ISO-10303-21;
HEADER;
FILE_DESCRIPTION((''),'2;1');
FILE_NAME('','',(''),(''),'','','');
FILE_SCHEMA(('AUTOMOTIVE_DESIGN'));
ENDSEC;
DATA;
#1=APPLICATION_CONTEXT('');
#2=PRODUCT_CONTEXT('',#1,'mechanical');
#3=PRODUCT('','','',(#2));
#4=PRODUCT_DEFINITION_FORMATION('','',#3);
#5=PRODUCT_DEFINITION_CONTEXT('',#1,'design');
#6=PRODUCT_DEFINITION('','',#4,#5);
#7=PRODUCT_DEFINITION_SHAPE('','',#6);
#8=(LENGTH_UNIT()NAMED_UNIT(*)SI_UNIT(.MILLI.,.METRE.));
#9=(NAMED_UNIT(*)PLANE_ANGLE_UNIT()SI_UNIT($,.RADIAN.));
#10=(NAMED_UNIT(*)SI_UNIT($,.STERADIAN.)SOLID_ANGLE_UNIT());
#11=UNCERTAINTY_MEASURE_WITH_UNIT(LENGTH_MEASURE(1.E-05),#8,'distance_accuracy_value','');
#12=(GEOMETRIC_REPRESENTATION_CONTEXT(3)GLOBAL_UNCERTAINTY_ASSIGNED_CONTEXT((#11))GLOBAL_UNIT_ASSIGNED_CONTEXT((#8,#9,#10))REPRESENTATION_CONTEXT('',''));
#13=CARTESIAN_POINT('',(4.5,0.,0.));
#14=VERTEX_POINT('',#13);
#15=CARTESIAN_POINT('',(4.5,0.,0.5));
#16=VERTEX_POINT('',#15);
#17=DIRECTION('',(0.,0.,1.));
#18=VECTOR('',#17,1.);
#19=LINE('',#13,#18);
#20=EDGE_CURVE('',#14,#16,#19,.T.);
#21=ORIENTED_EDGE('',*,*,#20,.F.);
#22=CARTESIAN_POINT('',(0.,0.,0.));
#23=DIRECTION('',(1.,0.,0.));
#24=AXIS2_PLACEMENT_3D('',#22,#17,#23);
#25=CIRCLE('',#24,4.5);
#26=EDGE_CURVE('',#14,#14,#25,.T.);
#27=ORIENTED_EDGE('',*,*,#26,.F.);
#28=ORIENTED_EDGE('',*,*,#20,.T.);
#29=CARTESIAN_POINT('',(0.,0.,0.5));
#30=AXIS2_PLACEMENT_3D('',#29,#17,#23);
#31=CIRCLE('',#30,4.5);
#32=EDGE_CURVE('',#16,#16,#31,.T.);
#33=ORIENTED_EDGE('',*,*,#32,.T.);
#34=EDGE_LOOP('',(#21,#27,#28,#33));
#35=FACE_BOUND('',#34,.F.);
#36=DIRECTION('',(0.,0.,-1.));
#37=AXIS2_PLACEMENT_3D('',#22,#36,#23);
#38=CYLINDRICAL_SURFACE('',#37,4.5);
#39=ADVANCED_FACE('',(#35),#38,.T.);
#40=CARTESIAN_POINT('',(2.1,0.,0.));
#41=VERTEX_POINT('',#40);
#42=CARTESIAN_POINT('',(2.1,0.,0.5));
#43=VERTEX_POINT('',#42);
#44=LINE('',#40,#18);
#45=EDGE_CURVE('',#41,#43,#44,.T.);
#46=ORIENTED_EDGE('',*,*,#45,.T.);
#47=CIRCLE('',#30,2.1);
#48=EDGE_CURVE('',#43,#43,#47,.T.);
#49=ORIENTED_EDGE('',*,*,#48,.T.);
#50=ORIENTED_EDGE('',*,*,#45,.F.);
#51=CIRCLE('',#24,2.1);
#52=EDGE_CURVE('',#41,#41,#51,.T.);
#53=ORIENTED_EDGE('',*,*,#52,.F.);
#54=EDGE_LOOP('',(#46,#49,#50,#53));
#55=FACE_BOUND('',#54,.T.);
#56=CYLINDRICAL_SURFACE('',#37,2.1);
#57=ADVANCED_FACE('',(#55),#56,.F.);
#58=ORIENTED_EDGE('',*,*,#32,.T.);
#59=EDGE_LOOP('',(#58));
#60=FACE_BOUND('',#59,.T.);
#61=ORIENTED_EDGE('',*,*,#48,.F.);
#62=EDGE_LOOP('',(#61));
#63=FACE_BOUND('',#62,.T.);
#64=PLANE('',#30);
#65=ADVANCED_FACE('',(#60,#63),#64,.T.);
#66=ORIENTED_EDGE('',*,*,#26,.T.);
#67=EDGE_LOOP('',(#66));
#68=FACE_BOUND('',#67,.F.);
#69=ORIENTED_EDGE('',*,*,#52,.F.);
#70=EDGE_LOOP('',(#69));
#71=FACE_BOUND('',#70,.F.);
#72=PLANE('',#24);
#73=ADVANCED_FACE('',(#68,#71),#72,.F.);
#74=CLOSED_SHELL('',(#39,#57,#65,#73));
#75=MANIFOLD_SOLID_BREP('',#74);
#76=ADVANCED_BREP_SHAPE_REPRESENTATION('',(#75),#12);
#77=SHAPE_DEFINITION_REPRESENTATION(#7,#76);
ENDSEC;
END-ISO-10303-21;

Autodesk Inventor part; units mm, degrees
ref_plane "YZ Plane" through (0, 0, 0) normal (1, 0, 0) x (0, 1, 0)
ref_plane "XZ Plane" through (0, 0, 0) normal (0, 1, 0) x (-1, 0, 0)
ref_plane "XY Plane" through (0, 0, 0) normal (0, 0, 1) x (1, 0, 0)
sketch "スケッチ1" plane through (0, 0, 0) normal (0, 0, 1) x (1, 0, 0)
  circle A0 centre (0, 0) radius 2.1
  circle A1 centre (0, 0) radius 4.5
  dimension "d0" = 4.2
  dimension "d1" = 9
extrude "押し出し1" add sketch "スケッチ1" along normal blind 0.5
properties part number "TT-0409-05" material "열가소성 수지"
